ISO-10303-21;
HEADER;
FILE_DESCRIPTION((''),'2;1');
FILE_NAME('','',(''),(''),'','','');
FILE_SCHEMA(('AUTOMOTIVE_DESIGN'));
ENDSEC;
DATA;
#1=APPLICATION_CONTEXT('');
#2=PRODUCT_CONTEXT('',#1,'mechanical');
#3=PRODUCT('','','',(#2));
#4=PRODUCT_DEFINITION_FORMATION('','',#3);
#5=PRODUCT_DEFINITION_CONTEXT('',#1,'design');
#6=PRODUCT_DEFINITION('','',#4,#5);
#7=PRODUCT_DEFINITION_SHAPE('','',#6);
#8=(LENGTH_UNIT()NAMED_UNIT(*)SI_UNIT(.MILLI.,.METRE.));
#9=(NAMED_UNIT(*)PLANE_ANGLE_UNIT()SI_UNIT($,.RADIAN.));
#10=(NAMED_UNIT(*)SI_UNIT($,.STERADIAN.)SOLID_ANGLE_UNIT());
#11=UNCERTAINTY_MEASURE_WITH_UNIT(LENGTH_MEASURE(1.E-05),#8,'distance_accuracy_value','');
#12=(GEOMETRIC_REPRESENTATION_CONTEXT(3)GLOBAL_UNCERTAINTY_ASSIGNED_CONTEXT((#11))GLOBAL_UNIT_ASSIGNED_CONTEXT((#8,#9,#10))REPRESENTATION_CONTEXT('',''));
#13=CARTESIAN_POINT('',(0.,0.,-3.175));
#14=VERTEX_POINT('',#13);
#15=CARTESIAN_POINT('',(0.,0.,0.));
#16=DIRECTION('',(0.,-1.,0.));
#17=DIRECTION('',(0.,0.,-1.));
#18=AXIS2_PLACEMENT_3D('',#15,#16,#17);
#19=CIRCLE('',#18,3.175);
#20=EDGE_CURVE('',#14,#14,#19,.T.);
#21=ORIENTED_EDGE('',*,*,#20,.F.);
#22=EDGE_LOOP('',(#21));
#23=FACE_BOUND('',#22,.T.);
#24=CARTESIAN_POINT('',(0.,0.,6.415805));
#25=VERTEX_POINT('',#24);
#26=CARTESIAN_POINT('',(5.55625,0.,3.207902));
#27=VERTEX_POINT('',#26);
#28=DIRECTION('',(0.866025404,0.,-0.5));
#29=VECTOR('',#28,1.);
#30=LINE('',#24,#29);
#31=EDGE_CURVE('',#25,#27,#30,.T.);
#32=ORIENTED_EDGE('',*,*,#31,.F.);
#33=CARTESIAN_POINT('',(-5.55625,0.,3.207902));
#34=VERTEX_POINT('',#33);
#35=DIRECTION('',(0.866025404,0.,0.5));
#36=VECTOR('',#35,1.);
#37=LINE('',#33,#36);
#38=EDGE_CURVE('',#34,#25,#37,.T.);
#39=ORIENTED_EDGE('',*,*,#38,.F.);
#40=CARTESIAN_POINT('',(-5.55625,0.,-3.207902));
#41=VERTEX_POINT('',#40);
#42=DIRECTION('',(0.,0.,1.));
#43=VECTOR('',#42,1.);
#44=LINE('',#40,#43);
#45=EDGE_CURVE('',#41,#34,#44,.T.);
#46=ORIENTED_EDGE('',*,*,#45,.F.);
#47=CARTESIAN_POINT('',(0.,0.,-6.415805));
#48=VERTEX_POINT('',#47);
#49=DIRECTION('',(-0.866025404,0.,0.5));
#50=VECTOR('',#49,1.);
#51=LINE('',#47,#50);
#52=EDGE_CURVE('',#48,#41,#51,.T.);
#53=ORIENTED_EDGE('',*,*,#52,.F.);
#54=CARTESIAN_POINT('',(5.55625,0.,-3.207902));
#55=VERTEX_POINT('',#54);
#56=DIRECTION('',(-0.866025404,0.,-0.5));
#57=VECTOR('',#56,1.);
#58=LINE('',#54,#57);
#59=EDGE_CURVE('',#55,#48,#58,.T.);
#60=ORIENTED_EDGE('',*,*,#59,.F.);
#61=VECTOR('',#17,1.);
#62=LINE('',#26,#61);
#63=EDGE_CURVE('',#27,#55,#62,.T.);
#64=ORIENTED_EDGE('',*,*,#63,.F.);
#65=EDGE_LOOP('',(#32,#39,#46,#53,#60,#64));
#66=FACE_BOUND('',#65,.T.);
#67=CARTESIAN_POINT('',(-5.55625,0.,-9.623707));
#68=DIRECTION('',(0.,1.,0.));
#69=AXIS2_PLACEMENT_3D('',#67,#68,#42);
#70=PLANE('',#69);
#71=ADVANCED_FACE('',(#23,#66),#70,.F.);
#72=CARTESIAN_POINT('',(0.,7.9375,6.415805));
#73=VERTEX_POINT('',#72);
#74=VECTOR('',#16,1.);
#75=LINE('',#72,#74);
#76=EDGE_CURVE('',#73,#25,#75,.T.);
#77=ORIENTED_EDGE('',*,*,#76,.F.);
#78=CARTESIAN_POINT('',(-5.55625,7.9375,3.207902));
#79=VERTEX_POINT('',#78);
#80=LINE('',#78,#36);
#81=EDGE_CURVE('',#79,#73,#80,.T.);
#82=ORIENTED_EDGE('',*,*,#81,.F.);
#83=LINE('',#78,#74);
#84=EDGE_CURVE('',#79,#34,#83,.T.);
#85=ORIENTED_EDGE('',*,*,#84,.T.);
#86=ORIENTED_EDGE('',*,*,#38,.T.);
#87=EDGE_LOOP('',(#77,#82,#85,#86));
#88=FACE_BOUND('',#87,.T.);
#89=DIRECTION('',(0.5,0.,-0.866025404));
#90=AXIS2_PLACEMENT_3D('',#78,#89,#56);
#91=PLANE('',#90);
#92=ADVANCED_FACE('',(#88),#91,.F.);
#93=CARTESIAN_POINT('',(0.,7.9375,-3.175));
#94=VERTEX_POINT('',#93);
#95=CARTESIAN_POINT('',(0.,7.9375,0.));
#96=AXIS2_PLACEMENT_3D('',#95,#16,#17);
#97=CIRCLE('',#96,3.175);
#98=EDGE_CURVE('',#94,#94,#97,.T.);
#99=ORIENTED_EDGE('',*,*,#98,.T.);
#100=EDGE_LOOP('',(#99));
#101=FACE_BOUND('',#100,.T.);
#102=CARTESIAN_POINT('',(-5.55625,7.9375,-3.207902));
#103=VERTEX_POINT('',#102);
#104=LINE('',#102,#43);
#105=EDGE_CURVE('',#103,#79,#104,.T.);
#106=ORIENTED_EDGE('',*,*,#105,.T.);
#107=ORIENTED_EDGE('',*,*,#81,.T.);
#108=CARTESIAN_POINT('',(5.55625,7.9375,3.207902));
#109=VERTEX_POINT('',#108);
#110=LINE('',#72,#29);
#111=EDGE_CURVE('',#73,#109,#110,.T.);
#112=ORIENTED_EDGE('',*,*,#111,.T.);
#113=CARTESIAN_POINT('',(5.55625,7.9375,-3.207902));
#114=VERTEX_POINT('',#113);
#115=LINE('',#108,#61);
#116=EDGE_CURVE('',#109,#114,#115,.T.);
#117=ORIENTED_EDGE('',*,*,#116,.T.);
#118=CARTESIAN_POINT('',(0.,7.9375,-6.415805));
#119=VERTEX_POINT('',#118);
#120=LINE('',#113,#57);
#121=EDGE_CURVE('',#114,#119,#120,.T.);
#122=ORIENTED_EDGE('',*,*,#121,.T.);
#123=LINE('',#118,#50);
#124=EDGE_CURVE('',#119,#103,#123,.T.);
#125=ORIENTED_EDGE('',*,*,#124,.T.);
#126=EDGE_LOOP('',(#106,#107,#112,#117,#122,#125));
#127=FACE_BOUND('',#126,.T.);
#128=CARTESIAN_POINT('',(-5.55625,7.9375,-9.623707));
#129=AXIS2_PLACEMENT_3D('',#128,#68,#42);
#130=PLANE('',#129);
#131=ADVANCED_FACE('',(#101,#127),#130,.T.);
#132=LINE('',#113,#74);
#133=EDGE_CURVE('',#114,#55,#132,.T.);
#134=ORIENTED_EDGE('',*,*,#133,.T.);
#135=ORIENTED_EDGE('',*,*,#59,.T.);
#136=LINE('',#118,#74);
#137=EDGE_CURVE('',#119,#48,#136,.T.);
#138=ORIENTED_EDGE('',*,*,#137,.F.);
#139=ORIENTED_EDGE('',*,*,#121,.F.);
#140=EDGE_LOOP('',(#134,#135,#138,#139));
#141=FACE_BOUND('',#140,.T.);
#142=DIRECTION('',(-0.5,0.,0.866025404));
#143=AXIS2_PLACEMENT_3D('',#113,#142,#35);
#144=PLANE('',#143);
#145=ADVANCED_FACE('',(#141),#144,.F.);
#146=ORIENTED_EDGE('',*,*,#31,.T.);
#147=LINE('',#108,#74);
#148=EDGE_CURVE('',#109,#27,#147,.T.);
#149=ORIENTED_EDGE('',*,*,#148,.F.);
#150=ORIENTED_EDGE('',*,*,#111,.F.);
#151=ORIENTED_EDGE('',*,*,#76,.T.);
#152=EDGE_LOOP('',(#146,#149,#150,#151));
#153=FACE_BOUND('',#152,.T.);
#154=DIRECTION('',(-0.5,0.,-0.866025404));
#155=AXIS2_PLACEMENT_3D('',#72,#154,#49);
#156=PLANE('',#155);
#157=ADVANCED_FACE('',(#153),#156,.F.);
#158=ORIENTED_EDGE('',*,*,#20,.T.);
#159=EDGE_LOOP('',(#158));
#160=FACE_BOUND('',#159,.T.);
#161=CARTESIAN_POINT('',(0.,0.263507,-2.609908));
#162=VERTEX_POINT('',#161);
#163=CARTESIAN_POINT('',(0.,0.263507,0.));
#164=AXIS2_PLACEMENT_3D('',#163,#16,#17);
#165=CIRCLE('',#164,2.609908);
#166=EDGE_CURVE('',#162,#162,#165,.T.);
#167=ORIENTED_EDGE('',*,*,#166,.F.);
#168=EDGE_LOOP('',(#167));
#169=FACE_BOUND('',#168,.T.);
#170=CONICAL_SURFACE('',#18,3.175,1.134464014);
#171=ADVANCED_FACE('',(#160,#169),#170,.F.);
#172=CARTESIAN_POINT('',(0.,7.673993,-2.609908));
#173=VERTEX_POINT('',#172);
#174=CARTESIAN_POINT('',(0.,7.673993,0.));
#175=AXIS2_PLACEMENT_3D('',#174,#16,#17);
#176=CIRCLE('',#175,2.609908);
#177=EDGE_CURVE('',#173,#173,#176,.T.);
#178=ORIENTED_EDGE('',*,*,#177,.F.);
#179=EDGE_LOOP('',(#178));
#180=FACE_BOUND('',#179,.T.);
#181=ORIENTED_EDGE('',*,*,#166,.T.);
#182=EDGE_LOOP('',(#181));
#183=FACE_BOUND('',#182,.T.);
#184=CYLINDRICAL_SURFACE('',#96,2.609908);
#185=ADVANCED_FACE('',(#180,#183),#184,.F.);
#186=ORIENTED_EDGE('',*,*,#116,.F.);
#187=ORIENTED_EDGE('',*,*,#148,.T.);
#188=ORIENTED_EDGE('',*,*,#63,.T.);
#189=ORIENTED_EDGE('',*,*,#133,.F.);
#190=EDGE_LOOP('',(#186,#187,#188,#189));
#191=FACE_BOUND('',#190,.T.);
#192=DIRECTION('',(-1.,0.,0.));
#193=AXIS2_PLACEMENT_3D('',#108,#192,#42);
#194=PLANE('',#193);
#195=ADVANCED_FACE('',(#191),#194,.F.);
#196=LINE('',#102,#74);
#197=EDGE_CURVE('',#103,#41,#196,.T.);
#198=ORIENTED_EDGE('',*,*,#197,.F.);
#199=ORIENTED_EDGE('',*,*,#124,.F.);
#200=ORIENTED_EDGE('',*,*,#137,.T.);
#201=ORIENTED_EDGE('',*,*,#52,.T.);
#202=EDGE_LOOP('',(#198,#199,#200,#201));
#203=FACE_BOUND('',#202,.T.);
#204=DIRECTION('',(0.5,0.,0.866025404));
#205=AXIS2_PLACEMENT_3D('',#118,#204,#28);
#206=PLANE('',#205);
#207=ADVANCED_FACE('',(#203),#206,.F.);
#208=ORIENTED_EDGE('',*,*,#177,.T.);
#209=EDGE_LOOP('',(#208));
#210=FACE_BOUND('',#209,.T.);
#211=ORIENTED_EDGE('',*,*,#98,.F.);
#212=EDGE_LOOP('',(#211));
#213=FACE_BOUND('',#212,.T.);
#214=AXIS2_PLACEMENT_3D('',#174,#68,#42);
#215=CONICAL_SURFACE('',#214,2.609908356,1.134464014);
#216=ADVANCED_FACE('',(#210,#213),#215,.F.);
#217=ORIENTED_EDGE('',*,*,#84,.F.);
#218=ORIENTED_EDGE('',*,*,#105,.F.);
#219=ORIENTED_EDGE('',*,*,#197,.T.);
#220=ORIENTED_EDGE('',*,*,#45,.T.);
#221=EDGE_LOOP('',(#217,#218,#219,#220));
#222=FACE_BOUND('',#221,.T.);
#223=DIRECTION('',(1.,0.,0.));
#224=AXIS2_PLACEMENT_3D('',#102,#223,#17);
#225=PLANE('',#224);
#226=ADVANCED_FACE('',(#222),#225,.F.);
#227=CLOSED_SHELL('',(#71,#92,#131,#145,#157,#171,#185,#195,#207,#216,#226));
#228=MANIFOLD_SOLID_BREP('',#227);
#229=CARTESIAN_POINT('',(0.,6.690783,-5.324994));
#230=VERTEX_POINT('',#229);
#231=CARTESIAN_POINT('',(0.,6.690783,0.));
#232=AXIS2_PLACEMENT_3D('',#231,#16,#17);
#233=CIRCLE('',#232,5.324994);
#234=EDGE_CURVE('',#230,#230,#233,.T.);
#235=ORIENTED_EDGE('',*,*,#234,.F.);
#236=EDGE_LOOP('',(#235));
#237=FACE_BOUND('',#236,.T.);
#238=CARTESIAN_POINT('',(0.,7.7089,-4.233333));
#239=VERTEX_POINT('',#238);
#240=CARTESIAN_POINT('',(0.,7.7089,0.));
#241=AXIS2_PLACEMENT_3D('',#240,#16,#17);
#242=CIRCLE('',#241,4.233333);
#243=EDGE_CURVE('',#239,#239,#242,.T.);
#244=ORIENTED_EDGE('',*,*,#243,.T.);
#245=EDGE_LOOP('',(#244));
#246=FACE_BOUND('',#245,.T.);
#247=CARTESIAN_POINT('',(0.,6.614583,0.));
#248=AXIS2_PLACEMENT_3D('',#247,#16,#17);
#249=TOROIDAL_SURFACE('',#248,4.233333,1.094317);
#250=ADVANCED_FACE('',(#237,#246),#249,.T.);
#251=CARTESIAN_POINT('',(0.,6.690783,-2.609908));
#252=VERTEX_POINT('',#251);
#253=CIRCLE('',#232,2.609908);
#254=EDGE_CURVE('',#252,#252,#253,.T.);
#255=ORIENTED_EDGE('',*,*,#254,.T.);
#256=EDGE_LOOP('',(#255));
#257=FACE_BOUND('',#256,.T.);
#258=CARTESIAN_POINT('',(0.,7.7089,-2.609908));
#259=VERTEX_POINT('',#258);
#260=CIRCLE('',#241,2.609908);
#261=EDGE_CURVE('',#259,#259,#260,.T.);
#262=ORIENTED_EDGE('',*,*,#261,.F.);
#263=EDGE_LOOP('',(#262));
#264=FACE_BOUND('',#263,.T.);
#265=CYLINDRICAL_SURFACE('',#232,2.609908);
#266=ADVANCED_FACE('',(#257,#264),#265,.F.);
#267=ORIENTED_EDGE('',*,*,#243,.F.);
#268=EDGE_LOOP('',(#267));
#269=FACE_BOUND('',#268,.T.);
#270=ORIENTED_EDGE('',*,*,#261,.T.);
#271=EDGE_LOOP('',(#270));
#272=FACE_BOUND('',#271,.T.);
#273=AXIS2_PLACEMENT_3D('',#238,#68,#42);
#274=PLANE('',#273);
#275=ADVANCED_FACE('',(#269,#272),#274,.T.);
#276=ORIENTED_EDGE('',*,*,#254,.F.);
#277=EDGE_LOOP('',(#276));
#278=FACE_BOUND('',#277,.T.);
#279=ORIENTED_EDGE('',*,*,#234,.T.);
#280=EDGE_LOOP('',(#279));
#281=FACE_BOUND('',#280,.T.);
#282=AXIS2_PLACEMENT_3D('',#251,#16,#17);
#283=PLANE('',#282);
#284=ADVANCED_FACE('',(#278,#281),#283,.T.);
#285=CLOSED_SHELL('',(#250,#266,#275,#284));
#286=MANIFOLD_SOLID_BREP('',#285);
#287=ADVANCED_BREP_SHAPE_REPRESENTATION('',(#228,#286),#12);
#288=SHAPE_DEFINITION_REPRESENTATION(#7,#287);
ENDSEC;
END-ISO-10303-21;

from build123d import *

# Parameters (mm, degrees)
EXTRUDE1_DEPTH = 7.9375


with BuildPart() as part:
    # Sketch1 → Extrude1 (new body)
    with BuildSketch(Plane(origin=(0, 0, 0), x_dir=(1, 0, 0), z_dir=(0, 1, 0))):
        Polygon((0, 6.415804866), (-5.55625, 3.207902433), (-5.55625, -3.207902433), (0, -6.415804866), (5.55625, -3.207902433), (5.55625, 3.207902433), align=None)
    extrude(amount=EXTRUDE1_DEPTH)

    # Sketch4 → Cut-Revolve2 (revolve, cut)
    with BuildSketch(Plane(origin=(0, 0, 0), x_dir=(0, 0, -1), z_dir=(1, 0, 0))):
        Polygon((0, 7.9375), (3.175, 7.9375), (2.609908356, 7.673993439), (2.609908356, 0.263506561), (3.175, 0), (0, 0), align=None)
    revolve(axis=Axis((0, 7.9375, 0), (0, 1, 0)), mode=Mode.SUBTRACT)


with BuildPart() as body_2:
    # Sketch7 → Revolve2 (revolve)
    with BuildSketch(Plane(origin=(0, 0, 0), x_dir=(0, 0, -1), z_dir=(1, 0, 0))):
        with BuildLine():
            Line((2.609908356, 6.690783333), (5.324993778, 6.690783333))
            ThreePointArc((5.324993778, 6.690783333), (4.979705237, 7.4148695), (4.233333333, 7.7089))
            Line((4.233333333, 7.7089), (2.609908356, 7.7089))
            Line((2.609908356, 7.7089), (2.609908356, 6.690783333))
        make_face()
    revolve(axis=Axis((0, 6.690783333, 0), (0, 1, 0)))


solid = Compound([part.part, body_2.part])
